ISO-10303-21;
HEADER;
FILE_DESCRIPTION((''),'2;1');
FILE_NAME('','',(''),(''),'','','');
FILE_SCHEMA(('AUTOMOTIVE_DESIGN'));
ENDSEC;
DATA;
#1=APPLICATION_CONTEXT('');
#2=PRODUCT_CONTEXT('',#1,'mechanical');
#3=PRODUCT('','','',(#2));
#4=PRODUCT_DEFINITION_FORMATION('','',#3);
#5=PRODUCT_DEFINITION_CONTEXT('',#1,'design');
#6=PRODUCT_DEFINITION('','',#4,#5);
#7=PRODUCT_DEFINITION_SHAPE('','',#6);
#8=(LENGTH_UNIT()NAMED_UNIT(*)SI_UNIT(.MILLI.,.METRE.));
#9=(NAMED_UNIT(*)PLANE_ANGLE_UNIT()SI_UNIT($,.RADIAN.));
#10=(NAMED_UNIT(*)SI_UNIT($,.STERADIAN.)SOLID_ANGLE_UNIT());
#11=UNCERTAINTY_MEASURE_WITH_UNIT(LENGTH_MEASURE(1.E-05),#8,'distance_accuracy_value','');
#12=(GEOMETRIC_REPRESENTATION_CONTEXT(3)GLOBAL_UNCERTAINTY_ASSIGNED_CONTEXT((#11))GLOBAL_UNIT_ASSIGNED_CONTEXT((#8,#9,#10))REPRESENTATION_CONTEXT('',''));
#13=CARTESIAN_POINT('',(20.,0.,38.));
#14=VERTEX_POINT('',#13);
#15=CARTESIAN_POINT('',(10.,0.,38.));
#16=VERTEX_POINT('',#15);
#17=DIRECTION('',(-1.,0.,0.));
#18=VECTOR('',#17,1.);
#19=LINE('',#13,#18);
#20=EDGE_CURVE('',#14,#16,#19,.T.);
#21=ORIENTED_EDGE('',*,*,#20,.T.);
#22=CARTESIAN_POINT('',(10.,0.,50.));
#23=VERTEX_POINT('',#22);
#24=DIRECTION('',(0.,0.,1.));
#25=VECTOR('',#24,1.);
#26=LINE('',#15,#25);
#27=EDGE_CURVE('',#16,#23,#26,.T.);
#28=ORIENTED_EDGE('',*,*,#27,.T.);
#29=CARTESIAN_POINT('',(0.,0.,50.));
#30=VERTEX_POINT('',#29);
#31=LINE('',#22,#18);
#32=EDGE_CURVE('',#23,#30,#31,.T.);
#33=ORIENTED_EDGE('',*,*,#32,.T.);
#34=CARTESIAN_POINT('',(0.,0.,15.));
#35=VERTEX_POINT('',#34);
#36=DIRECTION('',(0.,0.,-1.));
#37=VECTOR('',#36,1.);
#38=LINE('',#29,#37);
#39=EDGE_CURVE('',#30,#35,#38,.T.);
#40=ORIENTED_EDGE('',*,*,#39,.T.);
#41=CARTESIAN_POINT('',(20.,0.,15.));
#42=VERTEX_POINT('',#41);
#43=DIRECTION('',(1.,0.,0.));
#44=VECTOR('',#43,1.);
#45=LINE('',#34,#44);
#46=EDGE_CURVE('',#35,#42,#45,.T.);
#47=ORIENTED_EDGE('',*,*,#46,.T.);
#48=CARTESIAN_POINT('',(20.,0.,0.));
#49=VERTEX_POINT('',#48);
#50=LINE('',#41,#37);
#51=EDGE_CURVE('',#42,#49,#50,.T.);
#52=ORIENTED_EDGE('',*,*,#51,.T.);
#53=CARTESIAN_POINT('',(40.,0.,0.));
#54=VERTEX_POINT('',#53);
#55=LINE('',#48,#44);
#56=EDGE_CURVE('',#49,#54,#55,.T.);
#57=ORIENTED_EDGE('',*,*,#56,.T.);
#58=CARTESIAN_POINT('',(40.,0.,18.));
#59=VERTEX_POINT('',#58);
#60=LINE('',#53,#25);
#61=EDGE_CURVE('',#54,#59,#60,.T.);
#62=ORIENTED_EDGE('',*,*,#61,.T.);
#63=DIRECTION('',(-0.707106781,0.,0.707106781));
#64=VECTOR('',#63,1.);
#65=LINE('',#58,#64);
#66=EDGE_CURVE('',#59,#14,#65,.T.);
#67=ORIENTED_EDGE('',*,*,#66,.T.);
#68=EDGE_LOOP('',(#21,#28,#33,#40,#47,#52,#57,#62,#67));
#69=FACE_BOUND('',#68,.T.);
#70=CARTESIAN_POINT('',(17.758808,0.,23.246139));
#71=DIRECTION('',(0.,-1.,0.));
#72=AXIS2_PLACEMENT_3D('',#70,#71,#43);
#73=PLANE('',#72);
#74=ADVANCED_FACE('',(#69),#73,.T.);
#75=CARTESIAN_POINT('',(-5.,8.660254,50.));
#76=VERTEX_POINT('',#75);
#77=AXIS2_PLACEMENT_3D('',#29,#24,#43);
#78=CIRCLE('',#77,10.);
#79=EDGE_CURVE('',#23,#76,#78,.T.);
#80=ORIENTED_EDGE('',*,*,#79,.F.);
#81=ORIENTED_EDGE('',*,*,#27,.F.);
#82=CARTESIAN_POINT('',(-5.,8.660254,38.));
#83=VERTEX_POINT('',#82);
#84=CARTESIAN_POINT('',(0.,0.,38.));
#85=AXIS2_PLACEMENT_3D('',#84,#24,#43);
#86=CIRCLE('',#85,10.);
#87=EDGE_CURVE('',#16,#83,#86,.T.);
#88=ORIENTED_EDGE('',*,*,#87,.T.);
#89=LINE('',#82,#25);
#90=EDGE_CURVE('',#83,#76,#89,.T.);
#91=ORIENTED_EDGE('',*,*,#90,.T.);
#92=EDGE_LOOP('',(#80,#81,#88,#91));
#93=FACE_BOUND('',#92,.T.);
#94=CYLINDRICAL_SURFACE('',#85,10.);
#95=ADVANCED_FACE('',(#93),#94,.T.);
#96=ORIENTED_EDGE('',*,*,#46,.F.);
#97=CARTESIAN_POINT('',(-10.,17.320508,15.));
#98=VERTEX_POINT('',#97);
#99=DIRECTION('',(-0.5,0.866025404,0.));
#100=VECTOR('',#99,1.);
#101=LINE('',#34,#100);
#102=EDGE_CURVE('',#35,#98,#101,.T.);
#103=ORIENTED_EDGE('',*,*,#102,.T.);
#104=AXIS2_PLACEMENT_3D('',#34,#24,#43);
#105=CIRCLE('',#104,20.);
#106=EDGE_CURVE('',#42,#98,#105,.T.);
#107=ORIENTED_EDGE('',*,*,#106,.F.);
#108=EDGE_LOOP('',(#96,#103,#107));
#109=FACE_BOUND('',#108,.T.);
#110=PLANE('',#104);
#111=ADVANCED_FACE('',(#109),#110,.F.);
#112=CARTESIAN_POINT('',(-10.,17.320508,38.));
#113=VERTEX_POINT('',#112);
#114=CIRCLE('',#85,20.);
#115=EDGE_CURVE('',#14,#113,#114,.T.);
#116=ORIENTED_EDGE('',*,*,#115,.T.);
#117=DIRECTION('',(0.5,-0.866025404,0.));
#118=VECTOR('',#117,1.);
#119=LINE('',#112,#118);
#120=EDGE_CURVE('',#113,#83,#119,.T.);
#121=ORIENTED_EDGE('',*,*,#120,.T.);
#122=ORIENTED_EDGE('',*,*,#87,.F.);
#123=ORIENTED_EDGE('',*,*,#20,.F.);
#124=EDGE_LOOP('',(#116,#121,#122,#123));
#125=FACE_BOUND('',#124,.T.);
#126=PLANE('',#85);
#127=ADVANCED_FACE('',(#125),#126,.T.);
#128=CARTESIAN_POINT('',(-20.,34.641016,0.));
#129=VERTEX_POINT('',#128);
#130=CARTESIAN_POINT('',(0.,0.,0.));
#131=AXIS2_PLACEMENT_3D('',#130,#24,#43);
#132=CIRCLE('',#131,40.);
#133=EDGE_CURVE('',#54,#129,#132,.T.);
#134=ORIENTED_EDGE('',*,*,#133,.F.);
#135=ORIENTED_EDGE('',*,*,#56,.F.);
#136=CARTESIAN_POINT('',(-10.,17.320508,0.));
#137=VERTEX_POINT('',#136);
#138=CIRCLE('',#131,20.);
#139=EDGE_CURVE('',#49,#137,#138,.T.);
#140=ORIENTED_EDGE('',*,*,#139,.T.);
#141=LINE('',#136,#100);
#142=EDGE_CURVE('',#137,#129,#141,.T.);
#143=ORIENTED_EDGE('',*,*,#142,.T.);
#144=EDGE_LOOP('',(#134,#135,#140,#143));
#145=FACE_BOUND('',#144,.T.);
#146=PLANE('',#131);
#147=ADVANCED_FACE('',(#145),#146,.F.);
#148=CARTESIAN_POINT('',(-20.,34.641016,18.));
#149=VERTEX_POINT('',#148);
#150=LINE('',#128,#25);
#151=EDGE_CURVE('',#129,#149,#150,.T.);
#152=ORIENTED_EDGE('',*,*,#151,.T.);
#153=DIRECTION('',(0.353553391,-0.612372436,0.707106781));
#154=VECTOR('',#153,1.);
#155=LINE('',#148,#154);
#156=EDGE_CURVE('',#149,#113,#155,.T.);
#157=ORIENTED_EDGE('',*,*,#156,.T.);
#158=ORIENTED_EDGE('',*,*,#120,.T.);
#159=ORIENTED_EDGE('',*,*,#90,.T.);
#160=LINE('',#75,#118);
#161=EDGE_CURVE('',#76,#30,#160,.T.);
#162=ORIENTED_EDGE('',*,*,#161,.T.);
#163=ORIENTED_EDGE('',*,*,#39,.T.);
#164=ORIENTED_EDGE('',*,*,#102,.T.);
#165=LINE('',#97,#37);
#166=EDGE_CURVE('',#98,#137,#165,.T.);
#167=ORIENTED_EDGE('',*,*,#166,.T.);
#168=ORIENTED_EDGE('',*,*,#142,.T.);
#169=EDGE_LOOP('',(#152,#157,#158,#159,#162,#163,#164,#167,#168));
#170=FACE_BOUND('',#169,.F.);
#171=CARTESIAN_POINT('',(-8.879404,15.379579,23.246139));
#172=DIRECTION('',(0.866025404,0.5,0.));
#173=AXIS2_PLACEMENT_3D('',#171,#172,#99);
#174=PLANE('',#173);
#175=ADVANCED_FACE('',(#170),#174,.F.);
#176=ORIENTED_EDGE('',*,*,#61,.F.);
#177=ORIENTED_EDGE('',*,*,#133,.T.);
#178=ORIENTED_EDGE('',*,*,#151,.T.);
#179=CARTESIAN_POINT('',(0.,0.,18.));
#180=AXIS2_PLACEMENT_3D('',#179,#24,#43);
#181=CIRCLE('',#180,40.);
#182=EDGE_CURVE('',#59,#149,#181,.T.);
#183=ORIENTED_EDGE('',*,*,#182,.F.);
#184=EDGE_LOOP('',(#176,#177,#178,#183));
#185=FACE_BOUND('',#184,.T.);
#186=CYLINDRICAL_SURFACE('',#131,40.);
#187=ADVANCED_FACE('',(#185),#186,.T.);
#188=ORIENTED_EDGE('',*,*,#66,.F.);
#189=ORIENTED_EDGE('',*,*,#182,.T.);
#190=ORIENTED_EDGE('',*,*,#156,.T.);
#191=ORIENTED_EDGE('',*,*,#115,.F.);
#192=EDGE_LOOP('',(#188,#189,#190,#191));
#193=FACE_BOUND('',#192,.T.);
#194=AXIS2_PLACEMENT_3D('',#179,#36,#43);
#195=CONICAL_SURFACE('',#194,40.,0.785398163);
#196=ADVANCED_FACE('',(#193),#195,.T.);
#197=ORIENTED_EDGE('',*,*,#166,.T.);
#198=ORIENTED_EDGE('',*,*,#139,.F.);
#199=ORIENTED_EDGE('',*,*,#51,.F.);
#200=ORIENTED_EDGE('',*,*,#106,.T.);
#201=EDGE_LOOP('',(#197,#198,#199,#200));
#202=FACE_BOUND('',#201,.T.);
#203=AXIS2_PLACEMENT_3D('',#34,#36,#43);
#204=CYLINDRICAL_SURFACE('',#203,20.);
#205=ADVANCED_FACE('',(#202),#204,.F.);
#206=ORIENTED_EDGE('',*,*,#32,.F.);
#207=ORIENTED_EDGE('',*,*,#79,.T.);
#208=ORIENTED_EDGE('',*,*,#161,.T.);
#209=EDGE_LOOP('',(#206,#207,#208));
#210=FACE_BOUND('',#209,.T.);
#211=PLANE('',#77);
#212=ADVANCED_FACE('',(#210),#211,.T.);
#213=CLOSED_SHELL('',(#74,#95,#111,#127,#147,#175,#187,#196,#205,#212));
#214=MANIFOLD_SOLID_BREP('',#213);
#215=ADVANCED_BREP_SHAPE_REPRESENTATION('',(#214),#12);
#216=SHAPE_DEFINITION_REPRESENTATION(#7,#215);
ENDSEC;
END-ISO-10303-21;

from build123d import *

# Parameters (mm, degrees)
F1_ANGLE = 120


with BuildPart() as f1:
    # F0 (on Front) → F1 (revolve)
    with BuildSketch(Plane.XZ):
        Polygon((20, 15), (20, 0), (40, 0), (40, 18), (20, 38), (10, 38), (10, 50), (0, 50), (0, 15), align=None)
    revolve(axis=Axis((0, 0, 55.999996), (0, 0, 1)), revolution_arc=F1_ANGLE)


solid = f1.part
